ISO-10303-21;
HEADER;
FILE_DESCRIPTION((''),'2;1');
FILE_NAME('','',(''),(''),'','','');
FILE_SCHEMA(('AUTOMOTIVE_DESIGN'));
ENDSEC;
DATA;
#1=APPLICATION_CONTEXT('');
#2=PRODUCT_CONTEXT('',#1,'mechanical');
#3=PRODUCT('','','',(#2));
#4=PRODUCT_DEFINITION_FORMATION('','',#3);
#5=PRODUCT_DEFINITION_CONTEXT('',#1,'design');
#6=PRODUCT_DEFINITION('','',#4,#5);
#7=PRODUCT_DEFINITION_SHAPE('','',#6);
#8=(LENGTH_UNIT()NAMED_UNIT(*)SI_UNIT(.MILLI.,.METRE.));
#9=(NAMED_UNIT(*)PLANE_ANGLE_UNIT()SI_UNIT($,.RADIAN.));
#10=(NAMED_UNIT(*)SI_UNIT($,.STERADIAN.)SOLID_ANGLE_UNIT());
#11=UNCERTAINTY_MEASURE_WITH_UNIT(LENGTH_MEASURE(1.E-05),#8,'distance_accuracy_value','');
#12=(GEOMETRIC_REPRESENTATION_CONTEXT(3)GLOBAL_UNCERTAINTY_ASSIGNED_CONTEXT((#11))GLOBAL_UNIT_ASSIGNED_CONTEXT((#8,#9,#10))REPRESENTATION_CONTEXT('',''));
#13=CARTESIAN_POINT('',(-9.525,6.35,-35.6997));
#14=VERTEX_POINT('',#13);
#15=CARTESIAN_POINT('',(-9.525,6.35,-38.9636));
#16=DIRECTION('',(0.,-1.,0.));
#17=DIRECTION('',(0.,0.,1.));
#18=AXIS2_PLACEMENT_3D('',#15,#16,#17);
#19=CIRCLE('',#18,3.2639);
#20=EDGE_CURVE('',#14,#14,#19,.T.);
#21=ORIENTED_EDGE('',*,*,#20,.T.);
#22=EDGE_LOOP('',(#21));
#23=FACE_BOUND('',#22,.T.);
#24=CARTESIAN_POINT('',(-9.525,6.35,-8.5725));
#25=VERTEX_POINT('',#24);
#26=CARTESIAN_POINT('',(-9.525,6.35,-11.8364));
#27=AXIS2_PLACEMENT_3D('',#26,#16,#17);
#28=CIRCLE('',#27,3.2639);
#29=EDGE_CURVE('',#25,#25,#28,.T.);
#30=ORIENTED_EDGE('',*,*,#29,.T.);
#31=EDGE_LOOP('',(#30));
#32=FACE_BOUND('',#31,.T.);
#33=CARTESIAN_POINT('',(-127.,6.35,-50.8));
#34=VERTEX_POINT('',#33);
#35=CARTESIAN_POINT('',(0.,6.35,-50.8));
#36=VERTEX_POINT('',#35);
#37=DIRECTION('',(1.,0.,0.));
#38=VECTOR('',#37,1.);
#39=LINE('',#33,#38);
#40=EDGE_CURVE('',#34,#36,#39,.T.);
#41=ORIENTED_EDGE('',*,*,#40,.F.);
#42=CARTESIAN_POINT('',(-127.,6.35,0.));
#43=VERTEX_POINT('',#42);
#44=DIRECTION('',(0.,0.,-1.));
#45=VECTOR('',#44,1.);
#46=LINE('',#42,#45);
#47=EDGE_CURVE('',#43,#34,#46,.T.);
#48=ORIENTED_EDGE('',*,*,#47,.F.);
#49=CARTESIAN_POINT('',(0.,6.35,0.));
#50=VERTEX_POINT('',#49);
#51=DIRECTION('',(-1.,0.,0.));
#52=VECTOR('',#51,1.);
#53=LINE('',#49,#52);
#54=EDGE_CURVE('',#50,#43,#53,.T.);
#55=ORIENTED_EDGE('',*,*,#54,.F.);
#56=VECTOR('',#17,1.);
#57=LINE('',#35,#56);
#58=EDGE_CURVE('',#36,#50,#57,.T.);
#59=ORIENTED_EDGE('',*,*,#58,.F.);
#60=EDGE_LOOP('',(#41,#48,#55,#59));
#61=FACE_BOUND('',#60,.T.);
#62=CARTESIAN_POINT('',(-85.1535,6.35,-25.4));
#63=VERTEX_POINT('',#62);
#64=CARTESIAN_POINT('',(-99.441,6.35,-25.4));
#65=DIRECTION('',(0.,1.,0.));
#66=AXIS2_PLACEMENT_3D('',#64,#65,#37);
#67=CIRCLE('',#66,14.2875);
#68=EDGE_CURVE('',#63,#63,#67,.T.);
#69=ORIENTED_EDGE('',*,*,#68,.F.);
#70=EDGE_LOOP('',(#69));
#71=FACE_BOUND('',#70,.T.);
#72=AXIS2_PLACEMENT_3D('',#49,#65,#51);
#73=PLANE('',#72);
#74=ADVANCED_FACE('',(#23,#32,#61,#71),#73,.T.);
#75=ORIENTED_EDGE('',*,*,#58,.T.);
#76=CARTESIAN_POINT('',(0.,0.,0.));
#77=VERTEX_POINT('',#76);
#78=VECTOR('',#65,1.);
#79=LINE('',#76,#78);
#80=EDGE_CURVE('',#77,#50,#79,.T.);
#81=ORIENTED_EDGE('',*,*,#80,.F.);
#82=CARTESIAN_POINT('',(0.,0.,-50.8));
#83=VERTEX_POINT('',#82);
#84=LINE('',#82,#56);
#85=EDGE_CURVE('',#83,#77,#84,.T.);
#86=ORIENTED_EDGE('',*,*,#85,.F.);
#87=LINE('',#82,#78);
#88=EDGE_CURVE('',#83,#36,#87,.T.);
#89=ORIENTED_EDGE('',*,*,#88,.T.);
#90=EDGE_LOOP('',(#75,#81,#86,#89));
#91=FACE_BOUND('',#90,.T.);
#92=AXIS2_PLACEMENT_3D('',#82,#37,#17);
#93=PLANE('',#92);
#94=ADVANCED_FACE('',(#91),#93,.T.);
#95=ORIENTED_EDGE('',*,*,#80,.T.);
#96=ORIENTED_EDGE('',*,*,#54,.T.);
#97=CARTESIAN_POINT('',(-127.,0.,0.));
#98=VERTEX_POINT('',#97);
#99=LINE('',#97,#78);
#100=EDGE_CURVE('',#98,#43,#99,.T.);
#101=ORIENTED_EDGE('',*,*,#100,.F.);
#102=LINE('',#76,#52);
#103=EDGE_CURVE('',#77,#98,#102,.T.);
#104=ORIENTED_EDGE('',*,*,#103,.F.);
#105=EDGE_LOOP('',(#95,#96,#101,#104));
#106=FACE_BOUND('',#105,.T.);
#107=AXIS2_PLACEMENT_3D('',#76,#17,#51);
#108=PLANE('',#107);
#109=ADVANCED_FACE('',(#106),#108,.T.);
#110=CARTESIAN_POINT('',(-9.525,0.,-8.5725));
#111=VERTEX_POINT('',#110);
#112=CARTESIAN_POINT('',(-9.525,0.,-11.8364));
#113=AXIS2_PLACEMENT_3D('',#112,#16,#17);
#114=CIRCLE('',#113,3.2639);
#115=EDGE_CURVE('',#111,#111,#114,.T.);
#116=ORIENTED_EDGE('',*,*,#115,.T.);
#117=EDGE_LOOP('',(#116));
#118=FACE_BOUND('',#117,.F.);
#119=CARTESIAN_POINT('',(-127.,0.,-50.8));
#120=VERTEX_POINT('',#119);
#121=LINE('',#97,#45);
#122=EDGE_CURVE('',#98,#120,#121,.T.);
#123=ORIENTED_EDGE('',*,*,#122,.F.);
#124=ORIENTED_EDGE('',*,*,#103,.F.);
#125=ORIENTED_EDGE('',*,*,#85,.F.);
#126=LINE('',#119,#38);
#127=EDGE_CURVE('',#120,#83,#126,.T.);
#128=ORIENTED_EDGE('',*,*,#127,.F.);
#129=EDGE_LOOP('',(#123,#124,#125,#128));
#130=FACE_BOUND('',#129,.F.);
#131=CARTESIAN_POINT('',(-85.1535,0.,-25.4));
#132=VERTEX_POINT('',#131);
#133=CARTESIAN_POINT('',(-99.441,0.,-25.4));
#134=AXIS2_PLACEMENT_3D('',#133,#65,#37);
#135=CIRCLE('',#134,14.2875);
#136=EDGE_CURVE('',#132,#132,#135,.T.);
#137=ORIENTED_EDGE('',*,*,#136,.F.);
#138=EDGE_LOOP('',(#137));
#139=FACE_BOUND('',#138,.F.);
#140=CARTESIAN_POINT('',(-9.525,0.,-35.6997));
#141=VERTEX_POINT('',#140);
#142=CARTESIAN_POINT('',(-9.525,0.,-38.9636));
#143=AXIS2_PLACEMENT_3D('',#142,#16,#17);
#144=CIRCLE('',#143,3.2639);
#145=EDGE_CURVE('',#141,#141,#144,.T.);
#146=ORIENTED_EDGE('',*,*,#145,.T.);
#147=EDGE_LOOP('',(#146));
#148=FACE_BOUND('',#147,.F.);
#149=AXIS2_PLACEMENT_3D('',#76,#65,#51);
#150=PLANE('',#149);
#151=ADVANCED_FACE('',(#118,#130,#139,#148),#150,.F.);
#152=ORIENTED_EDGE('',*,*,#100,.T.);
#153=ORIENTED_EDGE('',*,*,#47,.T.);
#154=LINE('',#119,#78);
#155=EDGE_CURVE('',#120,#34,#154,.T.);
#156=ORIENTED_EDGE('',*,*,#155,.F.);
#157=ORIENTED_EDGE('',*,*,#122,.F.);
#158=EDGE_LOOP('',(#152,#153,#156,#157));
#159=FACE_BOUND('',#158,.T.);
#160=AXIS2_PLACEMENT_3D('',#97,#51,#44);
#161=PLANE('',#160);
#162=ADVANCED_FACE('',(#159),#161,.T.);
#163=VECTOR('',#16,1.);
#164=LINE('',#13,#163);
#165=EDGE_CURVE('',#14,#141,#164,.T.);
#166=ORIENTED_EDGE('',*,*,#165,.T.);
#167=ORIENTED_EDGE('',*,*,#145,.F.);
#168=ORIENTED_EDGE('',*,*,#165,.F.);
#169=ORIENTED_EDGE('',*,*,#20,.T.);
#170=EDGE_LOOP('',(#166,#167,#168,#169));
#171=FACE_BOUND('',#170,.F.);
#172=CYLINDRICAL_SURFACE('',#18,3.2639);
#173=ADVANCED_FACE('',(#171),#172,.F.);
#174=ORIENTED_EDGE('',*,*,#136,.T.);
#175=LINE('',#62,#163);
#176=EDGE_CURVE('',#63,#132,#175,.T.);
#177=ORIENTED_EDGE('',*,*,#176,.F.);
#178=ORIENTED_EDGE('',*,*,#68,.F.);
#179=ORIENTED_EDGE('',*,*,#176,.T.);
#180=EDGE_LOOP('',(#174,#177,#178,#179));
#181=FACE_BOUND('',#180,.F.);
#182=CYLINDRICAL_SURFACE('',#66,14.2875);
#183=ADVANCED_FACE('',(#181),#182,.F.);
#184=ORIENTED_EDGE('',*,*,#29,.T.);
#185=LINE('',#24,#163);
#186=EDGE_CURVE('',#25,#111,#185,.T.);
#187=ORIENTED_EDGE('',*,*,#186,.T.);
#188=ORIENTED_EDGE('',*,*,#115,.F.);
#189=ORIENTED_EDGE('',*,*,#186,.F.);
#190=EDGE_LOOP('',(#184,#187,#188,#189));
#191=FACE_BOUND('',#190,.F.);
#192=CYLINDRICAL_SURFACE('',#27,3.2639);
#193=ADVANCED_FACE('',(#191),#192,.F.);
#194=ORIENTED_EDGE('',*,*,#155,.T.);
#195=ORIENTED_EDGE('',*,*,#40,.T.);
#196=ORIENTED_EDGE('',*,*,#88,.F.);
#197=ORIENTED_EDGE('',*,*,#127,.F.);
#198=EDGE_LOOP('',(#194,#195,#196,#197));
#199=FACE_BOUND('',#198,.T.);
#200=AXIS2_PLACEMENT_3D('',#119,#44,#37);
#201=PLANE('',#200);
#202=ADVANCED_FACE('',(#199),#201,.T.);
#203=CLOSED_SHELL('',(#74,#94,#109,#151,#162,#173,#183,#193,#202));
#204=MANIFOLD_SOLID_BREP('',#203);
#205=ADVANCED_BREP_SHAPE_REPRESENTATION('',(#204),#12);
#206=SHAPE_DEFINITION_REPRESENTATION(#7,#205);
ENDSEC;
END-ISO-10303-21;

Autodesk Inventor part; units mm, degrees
ref_plane "YZ Plane" through (0, 0, 0) normal (1, 0, 0) x (0, 1, 0)
ref_plane "XZ Plane" through (0, 0, 0) normal (0, 1, 0) x (-1, 0, 0)
ref_plane "XY Plane" through (0, 0, 0) normal (0, 0, 1) x (1, 0, 0)
sketch "Sketch1" plane through (0, 0, 0) normal (0, 1, 0) x (-1, 0, 0)
  line L0 (0, 0) -> (127, 0)
  line L1 (127, 0) -> (127, -50.8)
  line L2 (127, -50.8) -> (0, -50.8)
  line L3 (0, -50.8) -> (0, 0)
  dimension "d0" = 127
  dimension "d1" = 50.8
extrude "Extrusion1" add sketch "Sketch1" along normal blind 6.35
sketch "Sketch2" plane through (0, 6.35, 0) normal (0, 1, 0) x (1, 0, 0)
  circle A0 centre (-99.441, 25.4) radius 14.2875
  line L0 (0, 0) -> (0, 50.8) projected
  dimension "d4" = 28.575
  dimension "d5" = 99.441
extrude "Extrusion2" cut sketch "Sketch2" against normal blind 6.35
sketch "Sketch3" plane through (0, 6.35, 0) normal (0, 1, 0) x (1, 0, 0)
  line L0 (0, 0) -> (0, 50.8) projected
  line L1 (0, 0) -> (-9.525, 11.8364)
  line L2 (0, 50.8) -> (-9.525, 38.9636)
  dimension "d8" = 27.1272
  dimension "d9" = 9.525
  dimension "d10" = 9.525
hole "Hole1" at (-9.525, 6.35, -11.8364) at (-9.525, 6.35, -38.9636) direction (0, -1, 0) diameter 6.5278 depth 25.4 tip angle 118
properties part number "Pin Support Plate"
